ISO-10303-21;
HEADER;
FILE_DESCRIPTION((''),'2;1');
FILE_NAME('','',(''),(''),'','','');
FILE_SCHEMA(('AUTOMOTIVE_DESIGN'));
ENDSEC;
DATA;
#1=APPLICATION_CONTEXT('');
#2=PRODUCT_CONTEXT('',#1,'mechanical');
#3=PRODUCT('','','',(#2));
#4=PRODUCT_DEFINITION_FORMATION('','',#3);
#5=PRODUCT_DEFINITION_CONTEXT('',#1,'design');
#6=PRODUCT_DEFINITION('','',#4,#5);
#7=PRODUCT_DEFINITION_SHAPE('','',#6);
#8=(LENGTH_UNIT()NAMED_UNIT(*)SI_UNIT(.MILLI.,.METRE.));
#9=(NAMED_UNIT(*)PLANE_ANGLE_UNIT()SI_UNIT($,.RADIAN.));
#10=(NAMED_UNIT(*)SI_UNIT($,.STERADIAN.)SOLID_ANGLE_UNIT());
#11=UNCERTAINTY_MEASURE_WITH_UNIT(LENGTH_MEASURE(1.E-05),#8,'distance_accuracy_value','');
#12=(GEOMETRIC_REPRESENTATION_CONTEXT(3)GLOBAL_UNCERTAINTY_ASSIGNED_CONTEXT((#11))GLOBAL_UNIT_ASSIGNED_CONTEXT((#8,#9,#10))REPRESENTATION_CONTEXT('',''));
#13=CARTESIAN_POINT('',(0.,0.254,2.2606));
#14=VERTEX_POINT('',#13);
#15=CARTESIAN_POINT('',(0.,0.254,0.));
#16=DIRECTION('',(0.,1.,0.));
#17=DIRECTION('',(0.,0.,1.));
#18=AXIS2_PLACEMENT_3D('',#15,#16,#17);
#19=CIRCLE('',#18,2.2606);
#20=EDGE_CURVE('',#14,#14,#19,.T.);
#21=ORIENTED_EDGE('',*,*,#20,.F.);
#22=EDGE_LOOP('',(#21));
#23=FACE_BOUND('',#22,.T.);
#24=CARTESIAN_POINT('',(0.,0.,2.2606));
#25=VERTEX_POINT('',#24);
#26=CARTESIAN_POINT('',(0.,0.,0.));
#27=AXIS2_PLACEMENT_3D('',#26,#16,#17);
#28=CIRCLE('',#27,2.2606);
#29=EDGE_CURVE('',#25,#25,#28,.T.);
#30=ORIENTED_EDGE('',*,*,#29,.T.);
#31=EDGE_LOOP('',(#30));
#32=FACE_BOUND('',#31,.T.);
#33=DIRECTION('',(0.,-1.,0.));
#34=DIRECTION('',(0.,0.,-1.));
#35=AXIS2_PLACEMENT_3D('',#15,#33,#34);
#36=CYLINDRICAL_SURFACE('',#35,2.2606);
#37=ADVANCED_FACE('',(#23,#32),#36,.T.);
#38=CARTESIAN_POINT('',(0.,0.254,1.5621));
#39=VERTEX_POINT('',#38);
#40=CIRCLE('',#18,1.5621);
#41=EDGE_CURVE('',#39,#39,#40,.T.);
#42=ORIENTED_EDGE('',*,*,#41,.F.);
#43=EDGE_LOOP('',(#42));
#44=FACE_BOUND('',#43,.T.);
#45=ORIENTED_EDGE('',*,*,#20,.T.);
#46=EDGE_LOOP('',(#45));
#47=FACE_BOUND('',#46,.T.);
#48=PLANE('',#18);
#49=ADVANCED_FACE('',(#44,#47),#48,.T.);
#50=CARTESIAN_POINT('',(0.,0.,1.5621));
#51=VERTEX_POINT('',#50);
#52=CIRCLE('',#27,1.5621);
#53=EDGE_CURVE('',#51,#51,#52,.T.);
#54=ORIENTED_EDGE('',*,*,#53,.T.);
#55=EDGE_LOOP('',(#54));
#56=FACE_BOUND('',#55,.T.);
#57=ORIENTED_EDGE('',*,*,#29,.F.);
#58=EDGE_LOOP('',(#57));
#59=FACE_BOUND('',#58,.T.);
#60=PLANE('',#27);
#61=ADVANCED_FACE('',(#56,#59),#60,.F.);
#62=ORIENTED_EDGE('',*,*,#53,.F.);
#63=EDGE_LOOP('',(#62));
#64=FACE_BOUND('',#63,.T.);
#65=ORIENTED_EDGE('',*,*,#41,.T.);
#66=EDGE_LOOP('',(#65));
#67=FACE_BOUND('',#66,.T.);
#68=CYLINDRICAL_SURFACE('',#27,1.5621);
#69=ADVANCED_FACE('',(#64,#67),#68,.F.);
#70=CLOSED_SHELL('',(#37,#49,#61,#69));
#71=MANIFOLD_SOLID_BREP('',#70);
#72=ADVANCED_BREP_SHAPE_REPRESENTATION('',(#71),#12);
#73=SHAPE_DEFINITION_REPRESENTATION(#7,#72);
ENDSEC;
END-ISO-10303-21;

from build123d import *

# Parameters (mm, degrees)
SKETCH1_R           = 2.2606
BOSS_EXTRUDE1_DEPTH = 0.254
SKETCH5_R           = 1.5621
CUT_EXTRUDE1_DEPTH  = 1.254


with BuildPart() as part:
    # Sketch1 → Boss-Extrude1 (new body)
    with BuildSketch(Plane(origin=(0, 0, 0), x_dir=(1, 0, 0), z_dir=(0, 1, 0))):
        Circle(SKETCH1_R)
    extrude(amount=BOSS_EXTRUDE1_DEPTH)

    # Sketch5 → Cut-Extrude1 (cut, through all)
    with BuildSketch(Plane(origin=(0, 0.254, 0), x_dir=(-1, 0, 0), z_dir=(0, 1, 0))):
        Circle(SKETCH5_R)
    extrude(amount=-CUT_EXTRUDE1_DEPTH, mode=Mode.SUBTRACT)


solid = part.part
